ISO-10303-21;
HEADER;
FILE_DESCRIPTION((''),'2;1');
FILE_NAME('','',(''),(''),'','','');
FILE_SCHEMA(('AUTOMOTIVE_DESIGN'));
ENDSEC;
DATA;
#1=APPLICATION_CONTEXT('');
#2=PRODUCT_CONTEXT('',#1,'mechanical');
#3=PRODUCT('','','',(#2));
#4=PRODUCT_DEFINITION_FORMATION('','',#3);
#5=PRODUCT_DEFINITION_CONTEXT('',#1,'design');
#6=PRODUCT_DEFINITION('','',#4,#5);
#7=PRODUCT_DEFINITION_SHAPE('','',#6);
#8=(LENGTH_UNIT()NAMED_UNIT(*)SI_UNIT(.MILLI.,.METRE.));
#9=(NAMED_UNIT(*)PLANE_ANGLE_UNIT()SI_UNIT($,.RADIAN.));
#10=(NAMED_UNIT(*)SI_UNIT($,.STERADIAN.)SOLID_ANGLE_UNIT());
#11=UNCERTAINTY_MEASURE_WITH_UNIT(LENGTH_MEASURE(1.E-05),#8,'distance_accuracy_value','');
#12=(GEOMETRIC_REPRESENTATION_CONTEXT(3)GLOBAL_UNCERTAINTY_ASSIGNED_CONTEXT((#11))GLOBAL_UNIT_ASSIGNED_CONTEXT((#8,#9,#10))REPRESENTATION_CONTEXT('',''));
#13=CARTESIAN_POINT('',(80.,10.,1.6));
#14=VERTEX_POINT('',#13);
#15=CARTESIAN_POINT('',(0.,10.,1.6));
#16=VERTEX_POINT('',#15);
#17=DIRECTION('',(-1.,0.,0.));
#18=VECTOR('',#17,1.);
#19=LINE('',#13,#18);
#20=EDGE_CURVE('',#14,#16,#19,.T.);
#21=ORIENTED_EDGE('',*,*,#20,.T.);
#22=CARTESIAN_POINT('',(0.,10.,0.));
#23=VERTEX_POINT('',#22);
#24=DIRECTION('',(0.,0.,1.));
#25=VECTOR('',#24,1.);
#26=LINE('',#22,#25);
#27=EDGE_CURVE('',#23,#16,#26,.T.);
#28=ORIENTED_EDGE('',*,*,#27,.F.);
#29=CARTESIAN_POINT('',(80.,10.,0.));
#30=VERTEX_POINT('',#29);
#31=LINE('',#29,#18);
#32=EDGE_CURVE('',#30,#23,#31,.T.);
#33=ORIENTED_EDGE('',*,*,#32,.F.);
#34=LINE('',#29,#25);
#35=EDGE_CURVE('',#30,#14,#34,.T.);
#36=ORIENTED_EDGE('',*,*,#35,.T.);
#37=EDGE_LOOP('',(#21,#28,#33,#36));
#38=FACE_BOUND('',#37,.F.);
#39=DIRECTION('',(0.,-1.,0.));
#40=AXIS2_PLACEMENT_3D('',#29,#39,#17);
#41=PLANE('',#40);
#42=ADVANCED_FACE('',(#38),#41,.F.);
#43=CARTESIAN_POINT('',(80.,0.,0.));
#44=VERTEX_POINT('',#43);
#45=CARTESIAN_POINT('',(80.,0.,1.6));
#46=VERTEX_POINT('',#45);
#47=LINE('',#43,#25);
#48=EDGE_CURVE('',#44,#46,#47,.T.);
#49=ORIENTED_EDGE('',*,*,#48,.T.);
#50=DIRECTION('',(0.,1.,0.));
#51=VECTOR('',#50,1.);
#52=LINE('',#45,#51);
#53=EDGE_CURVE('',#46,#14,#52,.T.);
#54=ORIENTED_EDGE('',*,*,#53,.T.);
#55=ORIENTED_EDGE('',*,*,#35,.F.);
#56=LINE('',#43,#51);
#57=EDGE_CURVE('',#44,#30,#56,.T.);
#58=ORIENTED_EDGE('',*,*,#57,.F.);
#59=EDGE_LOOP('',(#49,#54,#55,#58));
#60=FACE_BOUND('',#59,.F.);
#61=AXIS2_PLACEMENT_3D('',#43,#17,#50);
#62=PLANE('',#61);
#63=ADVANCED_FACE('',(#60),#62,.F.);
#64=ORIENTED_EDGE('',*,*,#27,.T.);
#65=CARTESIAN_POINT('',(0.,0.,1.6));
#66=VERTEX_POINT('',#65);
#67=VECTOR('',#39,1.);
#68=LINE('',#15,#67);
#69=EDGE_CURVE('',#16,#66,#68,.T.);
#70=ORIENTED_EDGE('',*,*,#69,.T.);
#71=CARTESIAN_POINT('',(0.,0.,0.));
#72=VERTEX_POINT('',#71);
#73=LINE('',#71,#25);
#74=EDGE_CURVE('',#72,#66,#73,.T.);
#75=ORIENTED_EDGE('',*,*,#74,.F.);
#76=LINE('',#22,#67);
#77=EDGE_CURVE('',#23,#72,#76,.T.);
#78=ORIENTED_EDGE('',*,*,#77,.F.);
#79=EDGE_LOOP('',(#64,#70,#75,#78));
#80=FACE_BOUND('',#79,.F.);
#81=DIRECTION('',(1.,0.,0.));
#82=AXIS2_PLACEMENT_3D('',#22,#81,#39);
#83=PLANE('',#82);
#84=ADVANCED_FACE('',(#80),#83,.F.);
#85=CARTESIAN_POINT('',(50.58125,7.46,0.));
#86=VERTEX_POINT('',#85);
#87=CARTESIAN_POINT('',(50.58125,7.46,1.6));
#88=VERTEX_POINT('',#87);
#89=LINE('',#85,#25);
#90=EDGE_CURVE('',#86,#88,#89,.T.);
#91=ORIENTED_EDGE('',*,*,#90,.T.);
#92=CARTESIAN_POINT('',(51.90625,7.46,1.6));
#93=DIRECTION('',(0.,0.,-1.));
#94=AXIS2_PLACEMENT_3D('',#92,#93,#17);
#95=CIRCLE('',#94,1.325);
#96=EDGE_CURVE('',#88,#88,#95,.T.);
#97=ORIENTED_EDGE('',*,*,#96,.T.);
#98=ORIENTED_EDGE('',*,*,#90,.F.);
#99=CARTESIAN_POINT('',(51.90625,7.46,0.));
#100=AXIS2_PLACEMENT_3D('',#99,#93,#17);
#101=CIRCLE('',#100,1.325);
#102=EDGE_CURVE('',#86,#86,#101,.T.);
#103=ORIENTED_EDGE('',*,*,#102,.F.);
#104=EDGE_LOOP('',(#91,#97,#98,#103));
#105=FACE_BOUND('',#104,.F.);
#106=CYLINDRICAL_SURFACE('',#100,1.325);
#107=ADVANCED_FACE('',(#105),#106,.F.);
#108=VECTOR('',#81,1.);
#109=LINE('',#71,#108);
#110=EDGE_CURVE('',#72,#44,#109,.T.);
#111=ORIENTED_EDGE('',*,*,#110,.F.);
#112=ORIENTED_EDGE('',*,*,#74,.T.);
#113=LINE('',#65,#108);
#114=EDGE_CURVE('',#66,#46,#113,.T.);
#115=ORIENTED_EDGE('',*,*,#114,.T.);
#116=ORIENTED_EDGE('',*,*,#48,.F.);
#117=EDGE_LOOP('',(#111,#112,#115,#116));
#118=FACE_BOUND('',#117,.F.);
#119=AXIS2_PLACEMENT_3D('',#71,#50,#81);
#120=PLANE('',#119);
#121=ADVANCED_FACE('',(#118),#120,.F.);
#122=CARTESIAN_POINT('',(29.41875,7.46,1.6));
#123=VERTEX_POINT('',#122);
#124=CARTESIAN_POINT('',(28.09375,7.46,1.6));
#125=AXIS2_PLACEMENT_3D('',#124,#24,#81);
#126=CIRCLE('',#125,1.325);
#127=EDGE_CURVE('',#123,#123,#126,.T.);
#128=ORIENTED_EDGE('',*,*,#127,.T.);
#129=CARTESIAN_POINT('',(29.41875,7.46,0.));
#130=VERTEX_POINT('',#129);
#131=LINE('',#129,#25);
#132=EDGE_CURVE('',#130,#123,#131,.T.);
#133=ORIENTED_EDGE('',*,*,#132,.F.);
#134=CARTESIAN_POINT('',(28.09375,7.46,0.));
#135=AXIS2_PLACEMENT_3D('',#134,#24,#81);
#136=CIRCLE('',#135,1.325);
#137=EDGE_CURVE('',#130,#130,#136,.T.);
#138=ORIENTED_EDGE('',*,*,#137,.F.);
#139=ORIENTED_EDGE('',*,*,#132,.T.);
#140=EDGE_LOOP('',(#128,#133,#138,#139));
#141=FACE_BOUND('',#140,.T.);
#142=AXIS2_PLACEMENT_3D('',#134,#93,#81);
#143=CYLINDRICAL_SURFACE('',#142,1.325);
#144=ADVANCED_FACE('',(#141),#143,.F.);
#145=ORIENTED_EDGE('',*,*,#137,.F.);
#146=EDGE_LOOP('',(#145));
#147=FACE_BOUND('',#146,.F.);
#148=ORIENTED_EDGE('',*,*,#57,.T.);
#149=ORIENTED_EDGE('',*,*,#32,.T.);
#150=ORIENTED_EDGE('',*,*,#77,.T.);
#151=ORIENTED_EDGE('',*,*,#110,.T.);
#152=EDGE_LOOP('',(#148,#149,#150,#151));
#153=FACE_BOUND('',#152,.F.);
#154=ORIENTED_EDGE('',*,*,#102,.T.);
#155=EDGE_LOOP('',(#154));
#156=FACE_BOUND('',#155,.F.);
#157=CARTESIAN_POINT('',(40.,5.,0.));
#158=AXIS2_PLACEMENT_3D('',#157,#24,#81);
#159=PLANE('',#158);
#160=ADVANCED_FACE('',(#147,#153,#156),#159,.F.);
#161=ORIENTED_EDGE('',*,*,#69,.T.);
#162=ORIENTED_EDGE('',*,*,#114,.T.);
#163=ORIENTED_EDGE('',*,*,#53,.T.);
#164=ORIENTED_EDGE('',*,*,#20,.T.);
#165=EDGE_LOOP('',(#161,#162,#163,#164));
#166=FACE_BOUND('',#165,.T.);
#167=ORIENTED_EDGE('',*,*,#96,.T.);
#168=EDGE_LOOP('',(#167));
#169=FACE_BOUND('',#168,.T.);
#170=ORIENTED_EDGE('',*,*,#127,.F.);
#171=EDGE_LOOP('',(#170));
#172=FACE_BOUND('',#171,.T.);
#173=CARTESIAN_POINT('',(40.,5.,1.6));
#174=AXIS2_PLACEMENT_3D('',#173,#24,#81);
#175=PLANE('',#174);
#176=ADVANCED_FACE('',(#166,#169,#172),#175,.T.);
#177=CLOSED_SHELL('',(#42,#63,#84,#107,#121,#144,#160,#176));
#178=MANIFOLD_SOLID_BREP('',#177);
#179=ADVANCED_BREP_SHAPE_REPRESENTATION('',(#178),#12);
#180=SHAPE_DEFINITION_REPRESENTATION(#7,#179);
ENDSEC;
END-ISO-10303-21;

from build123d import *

# Parameters (mm, degrees)
F0_R     = 1.325
F1_DEPTH = 1.6


with BuildPart() as f1:
    # F0 (on Top) → F1 (new body)
    with BuildSketch(Plane.XY):
        Polygon((0, 10), (0, 0), (24.125, 0), (55.875, 0), (80, 0), (80, 10), (55.875, 10), (24.125, 10), align=None)
        with Locations((28.09375, 7.46)):
            Circle(F0_R, mode=Mode.SUBTRACT)
        with BuildLine():
            ThreePointArc((53.23125, 7.46), (51.90625, 6.135), (50.58125, 7.46))
            ThreePointArc((50.58125, 7.46), (51.90625, 8.785), (53.23125, 7.46))
        make_face(mode=Mode.SUBTRACT)
    extrude(amount=F1_DEPTH)


solid = f1.part
